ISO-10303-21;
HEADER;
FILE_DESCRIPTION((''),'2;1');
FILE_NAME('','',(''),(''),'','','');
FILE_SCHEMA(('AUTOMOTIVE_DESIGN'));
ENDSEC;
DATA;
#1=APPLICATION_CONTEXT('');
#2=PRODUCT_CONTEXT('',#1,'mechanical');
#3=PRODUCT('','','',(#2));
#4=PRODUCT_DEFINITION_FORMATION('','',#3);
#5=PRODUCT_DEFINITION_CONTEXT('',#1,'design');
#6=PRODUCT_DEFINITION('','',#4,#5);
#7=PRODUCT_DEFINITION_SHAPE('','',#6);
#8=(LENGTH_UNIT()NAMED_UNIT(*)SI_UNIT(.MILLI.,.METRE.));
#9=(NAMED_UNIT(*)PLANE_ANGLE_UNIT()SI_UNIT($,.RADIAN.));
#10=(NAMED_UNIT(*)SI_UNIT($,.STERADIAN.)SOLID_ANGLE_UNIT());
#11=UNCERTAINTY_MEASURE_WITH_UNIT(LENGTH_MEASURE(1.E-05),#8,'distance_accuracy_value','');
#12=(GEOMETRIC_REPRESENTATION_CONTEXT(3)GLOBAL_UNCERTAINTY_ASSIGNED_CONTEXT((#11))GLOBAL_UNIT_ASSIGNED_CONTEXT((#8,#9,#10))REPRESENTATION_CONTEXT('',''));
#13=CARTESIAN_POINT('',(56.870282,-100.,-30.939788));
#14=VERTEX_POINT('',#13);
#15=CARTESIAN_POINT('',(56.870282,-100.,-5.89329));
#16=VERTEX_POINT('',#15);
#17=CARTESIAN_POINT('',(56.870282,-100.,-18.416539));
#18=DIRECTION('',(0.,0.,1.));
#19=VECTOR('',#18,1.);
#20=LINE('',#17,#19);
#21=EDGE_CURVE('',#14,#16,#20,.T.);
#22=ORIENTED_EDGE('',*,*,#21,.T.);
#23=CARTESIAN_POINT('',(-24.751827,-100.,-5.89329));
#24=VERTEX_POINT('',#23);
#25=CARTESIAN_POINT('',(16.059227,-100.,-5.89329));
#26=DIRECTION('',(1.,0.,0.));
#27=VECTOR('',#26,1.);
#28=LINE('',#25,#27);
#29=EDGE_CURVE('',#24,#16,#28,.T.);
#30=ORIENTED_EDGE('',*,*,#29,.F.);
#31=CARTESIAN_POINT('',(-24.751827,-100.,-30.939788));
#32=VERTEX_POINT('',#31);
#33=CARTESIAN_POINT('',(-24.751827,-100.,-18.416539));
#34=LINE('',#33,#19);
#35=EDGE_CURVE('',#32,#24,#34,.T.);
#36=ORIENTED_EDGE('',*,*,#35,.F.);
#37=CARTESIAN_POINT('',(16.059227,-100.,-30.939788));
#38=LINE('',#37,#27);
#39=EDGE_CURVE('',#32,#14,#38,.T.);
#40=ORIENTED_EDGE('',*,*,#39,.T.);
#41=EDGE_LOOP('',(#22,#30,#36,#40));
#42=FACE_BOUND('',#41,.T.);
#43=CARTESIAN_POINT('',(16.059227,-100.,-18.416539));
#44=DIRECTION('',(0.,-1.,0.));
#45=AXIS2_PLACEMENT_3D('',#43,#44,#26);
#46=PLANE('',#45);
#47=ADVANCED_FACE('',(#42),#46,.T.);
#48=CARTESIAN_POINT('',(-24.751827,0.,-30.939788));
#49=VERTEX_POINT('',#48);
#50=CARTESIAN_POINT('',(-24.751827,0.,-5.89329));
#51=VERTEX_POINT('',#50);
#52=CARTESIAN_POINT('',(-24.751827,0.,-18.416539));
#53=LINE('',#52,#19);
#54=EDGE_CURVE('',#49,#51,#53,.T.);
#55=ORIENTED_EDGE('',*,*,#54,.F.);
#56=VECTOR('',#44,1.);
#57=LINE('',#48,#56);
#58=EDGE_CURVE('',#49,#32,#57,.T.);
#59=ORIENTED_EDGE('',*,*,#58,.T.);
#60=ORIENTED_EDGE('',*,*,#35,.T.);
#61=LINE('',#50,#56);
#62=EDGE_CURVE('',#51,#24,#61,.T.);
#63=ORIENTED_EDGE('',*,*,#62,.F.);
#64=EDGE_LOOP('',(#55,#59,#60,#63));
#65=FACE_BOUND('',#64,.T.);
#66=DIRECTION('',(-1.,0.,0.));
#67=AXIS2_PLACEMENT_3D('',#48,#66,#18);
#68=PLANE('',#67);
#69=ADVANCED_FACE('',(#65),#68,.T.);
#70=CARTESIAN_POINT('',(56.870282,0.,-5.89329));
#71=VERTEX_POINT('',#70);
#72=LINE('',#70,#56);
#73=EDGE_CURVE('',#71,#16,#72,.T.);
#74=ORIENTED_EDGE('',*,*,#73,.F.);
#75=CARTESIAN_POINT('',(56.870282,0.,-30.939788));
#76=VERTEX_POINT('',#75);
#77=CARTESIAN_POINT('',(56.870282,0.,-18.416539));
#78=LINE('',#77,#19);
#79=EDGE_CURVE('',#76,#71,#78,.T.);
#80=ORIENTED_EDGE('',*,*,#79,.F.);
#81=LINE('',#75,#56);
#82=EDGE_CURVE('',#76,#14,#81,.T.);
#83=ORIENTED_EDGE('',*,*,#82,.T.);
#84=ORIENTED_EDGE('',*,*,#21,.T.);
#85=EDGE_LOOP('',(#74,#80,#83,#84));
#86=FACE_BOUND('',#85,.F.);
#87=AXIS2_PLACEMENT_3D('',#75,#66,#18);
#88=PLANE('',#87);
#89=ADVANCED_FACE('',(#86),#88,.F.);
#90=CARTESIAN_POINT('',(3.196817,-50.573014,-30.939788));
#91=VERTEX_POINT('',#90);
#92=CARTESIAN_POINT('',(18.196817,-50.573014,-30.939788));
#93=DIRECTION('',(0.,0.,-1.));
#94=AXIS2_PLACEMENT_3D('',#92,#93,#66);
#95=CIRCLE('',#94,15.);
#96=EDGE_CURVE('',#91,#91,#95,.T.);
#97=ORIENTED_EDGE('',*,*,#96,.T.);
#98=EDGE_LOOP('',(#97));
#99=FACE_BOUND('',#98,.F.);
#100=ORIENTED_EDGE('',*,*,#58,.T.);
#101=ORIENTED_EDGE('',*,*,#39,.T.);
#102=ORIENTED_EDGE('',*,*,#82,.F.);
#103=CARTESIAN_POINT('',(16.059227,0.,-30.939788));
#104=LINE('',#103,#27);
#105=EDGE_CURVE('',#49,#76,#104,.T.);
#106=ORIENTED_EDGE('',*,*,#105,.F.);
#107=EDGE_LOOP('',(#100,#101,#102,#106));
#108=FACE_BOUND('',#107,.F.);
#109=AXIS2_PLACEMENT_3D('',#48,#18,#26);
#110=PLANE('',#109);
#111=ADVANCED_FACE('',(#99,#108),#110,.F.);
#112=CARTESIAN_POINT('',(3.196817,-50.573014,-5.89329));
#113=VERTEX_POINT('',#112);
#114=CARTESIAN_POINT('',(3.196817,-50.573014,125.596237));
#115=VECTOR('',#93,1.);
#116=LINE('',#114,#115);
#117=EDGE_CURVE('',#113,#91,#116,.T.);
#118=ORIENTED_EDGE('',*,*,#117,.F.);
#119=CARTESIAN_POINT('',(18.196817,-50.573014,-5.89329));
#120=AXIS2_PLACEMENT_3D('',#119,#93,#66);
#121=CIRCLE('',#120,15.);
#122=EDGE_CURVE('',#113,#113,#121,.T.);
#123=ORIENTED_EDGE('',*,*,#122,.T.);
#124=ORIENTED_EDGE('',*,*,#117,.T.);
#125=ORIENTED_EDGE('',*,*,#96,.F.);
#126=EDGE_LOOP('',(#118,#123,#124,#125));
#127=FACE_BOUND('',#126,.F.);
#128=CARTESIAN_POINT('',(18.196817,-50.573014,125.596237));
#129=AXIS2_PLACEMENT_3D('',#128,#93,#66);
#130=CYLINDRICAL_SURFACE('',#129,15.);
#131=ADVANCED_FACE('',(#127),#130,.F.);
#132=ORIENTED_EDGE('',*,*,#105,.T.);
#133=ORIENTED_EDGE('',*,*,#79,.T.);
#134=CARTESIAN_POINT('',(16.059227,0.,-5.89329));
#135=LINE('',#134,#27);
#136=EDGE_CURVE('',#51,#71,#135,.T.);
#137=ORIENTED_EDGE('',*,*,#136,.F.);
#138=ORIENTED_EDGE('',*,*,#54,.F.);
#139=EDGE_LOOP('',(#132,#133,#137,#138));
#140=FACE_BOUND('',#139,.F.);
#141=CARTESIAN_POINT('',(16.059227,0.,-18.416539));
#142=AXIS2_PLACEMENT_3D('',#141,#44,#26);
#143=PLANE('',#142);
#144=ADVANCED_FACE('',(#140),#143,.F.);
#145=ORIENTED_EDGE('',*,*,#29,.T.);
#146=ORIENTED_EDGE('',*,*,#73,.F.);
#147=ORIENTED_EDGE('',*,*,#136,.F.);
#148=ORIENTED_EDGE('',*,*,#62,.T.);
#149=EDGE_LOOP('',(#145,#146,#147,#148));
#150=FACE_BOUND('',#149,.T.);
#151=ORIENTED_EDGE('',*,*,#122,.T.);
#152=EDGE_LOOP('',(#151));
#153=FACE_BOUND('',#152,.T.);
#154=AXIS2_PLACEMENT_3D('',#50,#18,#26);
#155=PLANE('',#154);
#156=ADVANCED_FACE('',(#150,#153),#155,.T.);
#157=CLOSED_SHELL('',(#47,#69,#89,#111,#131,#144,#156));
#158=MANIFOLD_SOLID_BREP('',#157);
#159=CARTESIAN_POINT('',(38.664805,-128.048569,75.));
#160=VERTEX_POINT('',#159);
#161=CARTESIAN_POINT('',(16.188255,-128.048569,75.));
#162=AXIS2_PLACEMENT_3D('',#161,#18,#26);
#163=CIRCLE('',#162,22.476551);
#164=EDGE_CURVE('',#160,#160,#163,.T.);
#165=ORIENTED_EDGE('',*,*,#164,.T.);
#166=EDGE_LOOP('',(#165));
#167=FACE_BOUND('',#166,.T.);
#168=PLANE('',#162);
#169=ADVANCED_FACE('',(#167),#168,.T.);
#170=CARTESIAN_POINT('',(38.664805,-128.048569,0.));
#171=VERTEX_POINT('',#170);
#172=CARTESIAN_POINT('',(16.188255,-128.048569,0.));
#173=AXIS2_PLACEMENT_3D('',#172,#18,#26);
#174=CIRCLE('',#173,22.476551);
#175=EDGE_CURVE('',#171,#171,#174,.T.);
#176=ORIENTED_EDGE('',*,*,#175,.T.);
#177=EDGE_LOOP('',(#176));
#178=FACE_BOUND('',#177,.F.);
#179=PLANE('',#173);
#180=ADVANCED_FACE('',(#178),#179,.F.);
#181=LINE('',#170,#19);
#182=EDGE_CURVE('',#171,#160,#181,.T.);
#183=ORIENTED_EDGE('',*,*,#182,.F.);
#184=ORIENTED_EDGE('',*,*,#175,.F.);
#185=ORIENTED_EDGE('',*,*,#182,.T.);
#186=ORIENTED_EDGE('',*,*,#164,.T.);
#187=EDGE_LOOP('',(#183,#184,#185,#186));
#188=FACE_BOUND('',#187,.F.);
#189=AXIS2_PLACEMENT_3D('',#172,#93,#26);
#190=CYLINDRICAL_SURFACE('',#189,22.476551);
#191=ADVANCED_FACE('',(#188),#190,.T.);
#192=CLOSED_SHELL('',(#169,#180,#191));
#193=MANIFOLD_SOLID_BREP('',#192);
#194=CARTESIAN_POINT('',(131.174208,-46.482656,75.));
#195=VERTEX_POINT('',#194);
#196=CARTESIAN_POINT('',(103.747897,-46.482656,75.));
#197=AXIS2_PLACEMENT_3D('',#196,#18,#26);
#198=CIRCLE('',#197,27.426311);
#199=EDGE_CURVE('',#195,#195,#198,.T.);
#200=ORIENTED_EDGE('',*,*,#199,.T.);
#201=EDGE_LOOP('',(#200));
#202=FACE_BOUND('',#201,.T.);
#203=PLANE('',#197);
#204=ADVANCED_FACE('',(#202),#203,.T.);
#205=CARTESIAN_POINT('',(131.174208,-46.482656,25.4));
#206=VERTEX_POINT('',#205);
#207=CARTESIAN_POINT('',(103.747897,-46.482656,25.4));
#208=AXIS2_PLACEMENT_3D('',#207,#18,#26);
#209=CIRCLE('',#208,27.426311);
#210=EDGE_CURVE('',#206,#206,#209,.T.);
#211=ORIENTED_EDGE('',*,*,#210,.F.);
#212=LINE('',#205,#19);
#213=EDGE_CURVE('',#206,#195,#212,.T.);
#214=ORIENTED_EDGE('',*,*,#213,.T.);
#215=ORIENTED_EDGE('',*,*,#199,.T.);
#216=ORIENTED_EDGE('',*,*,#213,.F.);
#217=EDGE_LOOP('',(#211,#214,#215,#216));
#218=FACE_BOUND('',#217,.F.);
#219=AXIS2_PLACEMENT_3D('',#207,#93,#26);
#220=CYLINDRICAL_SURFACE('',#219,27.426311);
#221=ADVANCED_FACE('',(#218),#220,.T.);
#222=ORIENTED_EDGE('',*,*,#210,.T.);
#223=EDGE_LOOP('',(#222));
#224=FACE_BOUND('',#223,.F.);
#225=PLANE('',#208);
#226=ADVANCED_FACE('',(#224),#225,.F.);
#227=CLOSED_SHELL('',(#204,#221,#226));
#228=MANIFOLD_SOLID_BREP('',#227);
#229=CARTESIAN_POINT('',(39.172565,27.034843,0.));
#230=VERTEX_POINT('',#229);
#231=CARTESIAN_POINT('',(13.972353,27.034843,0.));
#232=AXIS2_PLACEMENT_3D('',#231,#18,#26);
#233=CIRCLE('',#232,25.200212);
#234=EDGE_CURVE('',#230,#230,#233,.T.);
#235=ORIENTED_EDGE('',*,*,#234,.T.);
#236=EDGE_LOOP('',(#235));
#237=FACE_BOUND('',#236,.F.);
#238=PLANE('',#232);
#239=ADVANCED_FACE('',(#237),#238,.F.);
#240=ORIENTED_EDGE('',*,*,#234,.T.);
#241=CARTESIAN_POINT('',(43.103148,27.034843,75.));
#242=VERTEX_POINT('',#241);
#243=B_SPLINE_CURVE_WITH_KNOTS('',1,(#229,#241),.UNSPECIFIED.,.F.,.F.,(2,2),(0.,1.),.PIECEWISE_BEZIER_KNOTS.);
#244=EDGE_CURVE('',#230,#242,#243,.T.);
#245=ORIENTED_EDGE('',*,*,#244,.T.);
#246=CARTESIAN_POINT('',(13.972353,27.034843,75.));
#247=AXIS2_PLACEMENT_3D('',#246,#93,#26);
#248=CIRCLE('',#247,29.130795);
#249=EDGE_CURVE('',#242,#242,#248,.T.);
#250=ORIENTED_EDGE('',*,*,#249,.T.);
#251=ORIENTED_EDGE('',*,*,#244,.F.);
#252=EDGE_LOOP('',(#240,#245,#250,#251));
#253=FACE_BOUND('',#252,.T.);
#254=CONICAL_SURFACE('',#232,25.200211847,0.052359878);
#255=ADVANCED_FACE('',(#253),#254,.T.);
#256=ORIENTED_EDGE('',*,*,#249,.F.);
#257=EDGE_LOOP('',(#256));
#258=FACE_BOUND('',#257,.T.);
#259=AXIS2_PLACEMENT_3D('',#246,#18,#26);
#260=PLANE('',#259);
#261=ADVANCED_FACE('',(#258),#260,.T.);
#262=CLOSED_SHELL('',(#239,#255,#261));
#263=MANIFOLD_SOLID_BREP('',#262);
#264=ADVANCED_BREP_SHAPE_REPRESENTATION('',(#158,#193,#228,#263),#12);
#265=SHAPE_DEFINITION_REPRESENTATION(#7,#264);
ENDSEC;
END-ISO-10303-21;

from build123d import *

# Parameters (mm, degrees)
F0_W     = 81.6221088171
F0_H     = 25.0464975834
F1_DEPTH = 100
F2_R     = 25.200211847
F3_DEPTH = 75
F3_TAPER = -3
F4_R     = 22.4765508503
F6_DEPTH = 75
F8_START = 25.4
F7_R     = 27.4263111982
F8_DEPTH = 49.6
F10_D    = 30


with BuildPart() as f1:
    # F0 (on Front) → F1 (new body)
    with BuildSketch(Plane.XZ):
        with Locations((16.0592272878, -18.4165388346)):
            Rectangle(F0_W, F0_H)
    extrude(amount=F1_DEPTH)

    # F10 (through all)
    with Locations(Plane.XY.offset(-5.8932900429)):
        with Locations((18.1968174875, -50.5730137229)):
            Hole(F10_D / 2)


with BuildPart() as f3:
    # F2 (on Top) → F3 (new body)
    with BuildSketch(Plane.XY):
        with Locations((13.9723531902, 27.0348433405)):
            Circle(F2_R)
    extrude(amount=F3_DEPTH, taper=F3_TAPER)


with BuildPart() as f6:
    # F4 (on Top) → F6 (new body)
    with BuildSketch(Plane.XY):
        with Locations((16.1882545799, -128.048568964)):
            Circle(F4_R)
    extrude(amount=F6_DEPTH)


with BuildPart() as f8:
    # F7 (on Top) → F8 (new body)
    with BuildSketch(Plane.XY.offset(F8_START)):
        with Locations((103.7478968501, -46.4826561511)):
            Circle(F7_R)
    extrude(amount=F8_DEPTH)


solid = Compound([f1.part, f3.part, f6.part, f8.part])
